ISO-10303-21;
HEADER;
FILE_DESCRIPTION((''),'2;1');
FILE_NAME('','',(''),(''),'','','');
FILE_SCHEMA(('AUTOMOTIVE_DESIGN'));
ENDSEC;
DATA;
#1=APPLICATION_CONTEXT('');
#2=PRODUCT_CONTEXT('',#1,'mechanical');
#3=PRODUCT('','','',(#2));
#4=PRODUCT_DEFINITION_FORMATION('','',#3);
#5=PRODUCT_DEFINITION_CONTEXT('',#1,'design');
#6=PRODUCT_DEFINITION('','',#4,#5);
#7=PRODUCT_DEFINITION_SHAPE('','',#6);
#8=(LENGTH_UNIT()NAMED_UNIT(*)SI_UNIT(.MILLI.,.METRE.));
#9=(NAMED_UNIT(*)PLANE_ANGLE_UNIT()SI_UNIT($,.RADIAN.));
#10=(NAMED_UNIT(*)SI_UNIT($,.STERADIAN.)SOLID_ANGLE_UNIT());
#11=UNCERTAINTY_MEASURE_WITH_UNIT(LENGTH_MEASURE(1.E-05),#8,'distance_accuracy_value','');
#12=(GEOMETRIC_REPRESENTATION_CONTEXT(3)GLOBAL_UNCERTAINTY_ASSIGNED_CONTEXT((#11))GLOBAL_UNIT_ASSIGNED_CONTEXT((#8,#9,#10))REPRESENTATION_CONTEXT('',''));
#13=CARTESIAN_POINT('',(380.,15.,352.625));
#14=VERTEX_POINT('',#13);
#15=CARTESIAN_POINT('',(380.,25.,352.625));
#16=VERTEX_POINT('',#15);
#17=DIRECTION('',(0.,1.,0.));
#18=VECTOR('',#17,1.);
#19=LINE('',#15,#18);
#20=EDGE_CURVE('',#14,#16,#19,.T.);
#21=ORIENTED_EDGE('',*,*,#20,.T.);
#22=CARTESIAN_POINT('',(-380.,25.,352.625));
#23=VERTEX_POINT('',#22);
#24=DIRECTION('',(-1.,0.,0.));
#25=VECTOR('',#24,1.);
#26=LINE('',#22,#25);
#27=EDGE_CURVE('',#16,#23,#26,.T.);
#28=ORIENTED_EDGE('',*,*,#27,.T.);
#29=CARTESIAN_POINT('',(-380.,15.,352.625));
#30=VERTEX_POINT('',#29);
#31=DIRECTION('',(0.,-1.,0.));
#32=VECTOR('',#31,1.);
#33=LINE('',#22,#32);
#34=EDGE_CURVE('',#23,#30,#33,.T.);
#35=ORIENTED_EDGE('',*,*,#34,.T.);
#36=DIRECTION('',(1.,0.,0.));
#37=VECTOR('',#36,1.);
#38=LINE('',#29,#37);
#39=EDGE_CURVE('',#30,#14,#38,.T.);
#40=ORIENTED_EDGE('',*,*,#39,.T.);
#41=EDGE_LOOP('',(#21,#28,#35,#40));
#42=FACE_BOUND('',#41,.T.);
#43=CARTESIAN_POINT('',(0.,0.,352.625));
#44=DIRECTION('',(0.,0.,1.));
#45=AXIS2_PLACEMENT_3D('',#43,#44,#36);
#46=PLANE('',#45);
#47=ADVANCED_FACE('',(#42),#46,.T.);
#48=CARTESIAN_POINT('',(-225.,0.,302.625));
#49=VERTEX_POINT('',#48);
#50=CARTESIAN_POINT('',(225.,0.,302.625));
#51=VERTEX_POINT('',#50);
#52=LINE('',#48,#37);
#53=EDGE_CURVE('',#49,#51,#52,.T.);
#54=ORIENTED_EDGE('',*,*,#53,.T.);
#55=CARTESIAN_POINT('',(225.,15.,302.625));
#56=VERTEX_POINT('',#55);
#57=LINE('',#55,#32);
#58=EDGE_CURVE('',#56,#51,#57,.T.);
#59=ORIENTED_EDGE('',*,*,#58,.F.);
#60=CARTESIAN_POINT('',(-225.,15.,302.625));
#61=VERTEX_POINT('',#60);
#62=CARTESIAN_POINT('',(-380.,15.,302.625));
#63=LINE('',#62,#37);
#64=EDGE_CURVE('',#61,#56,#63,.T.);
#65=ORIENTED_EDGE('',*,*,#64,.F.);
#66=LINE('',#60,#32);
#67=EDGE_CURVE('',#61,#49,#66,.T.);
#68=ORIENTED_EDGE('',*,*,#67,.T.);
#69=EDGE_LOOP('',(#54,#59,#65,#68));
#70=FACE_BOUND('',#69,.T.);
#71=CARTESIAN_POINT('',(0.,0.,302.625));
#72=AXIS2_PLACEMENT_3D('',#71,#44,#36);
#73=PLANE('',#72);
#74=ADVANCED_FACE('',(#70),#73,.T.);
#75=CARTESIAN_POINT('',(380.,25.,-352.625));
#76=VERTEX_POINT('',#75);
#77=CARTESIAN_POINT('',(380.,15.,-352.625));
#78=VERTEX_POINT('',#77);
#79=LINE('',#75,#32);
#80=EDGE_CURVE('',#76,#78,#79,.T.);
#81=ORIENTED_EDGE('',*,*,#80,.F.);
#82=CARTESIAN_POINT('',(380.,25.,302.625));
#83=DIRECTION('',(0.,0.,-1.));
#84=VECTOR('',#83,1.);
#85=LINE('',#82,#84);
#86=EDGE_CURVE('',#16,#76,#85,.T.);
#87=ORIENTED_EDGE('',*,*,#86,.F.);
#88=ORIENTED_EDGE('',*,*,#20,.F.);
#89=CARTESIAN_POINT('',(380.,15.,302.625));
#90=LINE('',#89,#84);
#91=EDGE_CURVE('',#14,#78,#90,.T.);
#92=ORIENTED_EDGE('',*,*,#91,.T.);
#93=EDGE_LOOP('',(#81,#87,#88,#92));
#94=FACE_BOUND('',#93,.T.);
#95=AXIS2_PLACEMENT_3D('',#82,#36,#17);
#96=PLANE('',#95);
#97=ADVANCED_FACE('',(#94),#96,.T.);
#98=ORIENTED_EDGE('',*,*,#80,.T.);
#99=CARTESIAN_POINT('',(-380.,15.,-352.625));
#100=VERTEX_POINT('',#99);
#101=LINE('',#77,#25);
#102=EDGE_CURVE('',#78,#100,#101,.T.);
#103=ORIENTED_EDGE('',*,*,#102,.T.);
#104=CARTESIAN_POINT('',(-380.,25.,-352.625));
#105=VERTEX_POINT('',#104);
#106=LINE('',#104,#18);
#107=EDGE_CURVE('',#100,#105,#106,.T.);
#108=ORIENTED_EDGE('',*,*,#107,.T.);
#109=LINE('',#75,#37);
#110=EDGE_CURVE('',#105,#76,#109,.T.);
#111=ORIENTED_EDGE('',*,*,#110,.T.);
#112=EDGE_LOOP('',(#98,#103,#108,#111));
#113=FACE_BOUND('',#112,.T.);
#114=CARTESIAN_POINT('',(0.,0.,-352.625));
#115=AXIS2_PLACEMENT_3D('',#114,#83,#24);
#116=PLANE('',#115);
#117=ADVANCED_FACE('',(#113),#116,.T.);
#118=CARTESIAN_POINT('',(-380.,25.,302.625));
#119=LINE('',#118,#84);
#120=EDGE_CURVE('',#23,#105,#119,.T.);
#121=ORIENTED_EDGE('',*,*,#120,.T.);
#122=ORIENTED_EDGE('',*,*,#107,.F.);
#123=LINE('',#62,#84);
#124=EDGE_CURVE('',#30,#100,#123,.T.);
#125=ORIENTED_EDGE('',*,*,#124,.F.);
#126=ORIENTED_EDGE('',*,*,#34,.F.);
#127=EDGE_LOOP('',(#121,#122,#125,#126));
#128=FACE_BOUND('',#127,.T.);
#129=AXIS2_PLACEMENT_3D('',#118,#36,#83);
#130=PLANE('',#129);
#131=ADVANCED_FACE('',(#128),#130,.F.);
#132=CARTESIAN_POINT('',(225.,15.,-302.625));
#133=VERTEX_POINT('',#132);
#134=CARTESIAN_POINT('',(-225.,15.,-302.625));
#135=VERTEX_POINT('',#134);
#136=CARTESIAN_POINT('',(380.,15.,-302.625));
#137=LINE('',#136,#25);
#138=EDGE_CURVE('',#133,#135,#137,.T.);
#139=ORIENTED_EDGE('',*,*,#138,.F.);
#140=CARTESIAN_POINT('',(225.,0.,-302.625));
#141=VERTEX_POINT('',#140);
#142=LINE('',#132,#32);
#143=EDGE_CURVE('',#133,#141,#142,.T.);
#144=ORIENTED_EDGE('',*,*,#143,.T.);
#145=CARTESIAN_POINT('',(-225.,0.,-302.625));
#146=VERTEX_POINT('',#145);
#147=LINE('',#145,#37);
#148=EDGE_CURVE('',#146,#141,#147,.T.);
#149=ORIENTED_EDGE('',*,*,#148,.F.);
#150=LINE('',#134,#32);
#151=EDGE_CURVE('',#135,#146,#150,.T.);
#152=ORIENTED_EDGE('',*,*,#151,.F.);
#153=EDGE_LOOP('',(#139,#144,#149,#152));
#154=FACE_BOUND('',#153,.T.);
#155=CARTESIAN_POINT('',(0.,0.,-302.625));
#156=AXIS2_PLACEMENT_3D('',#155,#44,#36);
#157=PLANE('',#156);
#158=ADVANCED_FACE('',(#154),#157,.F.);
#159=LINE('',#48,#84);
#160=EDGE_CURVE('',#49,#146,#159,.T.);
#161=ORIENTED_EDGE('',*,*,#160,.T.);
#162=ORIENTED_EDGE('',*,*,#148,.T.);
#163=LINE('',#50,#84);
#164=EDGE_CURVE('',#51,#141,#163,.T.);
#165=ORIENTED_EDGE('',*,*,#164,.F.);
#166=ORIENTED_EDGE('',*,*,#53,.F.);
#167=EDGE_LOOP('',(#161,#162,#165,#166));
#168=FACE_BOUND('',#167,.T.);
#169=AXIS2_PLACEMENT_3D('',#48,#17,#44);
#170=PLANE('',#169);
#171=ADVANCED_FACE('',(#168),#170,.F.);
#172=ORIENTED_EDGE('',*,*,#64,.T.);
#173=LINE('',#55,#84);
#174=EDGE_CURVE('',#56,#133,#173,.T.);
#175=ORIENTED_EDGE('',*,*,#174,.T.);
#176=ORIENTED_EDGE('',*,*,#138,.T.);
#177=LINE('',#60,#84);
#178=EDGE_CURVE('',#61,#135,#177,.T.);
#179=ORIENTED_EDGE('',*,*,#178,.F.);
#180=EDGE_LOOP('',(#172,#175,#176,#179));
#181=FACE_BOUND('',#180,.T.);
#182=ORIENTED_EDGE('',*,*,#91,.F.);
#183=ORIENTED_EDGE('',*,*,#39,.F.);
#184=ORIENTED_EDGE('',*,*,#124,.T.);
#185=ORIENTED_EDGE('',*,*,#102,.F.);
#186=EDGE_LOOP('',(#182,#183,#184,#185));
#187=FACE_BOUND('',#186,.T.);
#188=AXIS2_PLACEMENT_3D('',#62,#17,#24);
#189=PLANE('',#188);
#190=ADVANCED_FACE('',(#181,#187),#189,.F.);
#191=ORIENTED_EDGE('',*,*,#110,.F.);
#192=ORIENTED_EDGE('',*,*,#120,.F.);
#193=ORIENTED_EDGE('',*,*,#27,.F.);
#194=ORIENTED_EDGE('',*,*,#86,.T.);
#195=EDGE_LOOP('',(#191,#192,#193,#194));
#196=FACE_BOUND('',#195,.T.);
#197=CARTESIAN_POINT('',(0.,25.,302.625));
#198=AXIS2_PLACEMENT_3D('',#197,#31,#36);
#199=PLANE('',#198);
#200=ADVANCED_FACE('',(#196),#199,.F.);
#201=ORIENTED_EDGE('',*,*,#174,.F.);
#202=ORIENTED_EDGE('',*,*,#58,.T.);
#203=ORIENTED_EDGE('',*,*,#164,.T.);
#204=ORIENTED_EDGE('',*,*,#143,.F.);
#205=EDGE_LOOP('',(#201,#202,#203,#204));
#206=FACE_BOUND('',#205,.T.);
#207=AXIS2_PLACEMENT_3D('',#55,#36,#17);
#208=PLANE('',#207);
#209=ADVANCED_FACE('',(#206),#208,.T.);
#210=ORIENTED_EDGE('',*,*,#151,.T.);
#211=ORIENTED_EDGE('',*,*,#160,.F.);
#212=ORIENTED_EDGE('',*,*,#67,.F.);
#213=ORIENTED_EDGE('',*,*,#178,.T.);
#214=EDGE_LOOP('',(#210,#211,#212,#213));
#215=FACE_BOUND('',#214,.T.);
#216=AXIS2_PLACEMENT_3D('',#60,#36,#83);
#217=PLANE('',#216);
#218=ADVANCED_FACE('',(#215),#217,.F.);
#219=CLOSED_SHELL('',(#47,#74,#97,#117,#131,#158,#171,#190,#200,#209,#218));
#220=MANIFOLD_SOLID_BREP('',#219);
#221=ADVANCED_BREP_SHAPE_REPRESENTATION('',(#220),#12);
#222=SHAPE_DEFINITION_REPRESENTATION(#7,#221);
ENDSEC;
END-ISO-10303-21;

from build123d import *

# Parameters (mm, degrees)
BOSS_EXTRUDE1_DEPTH = 302.625
SKETCH3_W           = 760
SKETCH3_H           = 10
BOSS_EXTRUDE2_DEPTH = 50
SKETCH4_W           = 760
SKETCH4_H           = 10
BOSS_EXTRUDE3_DEPTH = 50


with BuildPart() as part:
    # Sketch2 → Boss-Extrude1 (new body, symmetric)
    with BuildSketch(Plane.XY):
        Polygon((0, 25), (-380, 25), (-380, 15), (-225, 15), (-225, 0), (0, 0), align=None)
    boss_extrude1 = extrude(amount=BOSS_EXTRUDE1_DEPTH, both=True)

    # Mirror1: Boss-Extrude1 across plane
    add(boss_extrude1.mirror(Plane(origin=(0, 25, 302.625), x_dir=(0, 0, 1), z_dir=(-1, 0, 0))))

    # Sketch3 → Boss-Extrude2 (add)
    with BuildSketch(Plane.XY.offset(302.625)):
        with Locations((0, 20)):
            Rectangle(SKETCH3_W, SKETCH3_H)
    extrude(amount=BOSS_EXTRUDE2_DEPTH)

    # Sketch4 → Boss-Extrude3 (add)
    with BuildSketch(Plane(origin=(0, 0, -302.625), x_dir=(-1, 0, 0), z_dir=(0, 0, -1))):
        with Locations((0, 20)):
            Rectangle(SKETCH4_W, SKETCH4_H)
    extrude(amount=BOSS_EXTRUDE3_DEPTH)


solid = part.part
